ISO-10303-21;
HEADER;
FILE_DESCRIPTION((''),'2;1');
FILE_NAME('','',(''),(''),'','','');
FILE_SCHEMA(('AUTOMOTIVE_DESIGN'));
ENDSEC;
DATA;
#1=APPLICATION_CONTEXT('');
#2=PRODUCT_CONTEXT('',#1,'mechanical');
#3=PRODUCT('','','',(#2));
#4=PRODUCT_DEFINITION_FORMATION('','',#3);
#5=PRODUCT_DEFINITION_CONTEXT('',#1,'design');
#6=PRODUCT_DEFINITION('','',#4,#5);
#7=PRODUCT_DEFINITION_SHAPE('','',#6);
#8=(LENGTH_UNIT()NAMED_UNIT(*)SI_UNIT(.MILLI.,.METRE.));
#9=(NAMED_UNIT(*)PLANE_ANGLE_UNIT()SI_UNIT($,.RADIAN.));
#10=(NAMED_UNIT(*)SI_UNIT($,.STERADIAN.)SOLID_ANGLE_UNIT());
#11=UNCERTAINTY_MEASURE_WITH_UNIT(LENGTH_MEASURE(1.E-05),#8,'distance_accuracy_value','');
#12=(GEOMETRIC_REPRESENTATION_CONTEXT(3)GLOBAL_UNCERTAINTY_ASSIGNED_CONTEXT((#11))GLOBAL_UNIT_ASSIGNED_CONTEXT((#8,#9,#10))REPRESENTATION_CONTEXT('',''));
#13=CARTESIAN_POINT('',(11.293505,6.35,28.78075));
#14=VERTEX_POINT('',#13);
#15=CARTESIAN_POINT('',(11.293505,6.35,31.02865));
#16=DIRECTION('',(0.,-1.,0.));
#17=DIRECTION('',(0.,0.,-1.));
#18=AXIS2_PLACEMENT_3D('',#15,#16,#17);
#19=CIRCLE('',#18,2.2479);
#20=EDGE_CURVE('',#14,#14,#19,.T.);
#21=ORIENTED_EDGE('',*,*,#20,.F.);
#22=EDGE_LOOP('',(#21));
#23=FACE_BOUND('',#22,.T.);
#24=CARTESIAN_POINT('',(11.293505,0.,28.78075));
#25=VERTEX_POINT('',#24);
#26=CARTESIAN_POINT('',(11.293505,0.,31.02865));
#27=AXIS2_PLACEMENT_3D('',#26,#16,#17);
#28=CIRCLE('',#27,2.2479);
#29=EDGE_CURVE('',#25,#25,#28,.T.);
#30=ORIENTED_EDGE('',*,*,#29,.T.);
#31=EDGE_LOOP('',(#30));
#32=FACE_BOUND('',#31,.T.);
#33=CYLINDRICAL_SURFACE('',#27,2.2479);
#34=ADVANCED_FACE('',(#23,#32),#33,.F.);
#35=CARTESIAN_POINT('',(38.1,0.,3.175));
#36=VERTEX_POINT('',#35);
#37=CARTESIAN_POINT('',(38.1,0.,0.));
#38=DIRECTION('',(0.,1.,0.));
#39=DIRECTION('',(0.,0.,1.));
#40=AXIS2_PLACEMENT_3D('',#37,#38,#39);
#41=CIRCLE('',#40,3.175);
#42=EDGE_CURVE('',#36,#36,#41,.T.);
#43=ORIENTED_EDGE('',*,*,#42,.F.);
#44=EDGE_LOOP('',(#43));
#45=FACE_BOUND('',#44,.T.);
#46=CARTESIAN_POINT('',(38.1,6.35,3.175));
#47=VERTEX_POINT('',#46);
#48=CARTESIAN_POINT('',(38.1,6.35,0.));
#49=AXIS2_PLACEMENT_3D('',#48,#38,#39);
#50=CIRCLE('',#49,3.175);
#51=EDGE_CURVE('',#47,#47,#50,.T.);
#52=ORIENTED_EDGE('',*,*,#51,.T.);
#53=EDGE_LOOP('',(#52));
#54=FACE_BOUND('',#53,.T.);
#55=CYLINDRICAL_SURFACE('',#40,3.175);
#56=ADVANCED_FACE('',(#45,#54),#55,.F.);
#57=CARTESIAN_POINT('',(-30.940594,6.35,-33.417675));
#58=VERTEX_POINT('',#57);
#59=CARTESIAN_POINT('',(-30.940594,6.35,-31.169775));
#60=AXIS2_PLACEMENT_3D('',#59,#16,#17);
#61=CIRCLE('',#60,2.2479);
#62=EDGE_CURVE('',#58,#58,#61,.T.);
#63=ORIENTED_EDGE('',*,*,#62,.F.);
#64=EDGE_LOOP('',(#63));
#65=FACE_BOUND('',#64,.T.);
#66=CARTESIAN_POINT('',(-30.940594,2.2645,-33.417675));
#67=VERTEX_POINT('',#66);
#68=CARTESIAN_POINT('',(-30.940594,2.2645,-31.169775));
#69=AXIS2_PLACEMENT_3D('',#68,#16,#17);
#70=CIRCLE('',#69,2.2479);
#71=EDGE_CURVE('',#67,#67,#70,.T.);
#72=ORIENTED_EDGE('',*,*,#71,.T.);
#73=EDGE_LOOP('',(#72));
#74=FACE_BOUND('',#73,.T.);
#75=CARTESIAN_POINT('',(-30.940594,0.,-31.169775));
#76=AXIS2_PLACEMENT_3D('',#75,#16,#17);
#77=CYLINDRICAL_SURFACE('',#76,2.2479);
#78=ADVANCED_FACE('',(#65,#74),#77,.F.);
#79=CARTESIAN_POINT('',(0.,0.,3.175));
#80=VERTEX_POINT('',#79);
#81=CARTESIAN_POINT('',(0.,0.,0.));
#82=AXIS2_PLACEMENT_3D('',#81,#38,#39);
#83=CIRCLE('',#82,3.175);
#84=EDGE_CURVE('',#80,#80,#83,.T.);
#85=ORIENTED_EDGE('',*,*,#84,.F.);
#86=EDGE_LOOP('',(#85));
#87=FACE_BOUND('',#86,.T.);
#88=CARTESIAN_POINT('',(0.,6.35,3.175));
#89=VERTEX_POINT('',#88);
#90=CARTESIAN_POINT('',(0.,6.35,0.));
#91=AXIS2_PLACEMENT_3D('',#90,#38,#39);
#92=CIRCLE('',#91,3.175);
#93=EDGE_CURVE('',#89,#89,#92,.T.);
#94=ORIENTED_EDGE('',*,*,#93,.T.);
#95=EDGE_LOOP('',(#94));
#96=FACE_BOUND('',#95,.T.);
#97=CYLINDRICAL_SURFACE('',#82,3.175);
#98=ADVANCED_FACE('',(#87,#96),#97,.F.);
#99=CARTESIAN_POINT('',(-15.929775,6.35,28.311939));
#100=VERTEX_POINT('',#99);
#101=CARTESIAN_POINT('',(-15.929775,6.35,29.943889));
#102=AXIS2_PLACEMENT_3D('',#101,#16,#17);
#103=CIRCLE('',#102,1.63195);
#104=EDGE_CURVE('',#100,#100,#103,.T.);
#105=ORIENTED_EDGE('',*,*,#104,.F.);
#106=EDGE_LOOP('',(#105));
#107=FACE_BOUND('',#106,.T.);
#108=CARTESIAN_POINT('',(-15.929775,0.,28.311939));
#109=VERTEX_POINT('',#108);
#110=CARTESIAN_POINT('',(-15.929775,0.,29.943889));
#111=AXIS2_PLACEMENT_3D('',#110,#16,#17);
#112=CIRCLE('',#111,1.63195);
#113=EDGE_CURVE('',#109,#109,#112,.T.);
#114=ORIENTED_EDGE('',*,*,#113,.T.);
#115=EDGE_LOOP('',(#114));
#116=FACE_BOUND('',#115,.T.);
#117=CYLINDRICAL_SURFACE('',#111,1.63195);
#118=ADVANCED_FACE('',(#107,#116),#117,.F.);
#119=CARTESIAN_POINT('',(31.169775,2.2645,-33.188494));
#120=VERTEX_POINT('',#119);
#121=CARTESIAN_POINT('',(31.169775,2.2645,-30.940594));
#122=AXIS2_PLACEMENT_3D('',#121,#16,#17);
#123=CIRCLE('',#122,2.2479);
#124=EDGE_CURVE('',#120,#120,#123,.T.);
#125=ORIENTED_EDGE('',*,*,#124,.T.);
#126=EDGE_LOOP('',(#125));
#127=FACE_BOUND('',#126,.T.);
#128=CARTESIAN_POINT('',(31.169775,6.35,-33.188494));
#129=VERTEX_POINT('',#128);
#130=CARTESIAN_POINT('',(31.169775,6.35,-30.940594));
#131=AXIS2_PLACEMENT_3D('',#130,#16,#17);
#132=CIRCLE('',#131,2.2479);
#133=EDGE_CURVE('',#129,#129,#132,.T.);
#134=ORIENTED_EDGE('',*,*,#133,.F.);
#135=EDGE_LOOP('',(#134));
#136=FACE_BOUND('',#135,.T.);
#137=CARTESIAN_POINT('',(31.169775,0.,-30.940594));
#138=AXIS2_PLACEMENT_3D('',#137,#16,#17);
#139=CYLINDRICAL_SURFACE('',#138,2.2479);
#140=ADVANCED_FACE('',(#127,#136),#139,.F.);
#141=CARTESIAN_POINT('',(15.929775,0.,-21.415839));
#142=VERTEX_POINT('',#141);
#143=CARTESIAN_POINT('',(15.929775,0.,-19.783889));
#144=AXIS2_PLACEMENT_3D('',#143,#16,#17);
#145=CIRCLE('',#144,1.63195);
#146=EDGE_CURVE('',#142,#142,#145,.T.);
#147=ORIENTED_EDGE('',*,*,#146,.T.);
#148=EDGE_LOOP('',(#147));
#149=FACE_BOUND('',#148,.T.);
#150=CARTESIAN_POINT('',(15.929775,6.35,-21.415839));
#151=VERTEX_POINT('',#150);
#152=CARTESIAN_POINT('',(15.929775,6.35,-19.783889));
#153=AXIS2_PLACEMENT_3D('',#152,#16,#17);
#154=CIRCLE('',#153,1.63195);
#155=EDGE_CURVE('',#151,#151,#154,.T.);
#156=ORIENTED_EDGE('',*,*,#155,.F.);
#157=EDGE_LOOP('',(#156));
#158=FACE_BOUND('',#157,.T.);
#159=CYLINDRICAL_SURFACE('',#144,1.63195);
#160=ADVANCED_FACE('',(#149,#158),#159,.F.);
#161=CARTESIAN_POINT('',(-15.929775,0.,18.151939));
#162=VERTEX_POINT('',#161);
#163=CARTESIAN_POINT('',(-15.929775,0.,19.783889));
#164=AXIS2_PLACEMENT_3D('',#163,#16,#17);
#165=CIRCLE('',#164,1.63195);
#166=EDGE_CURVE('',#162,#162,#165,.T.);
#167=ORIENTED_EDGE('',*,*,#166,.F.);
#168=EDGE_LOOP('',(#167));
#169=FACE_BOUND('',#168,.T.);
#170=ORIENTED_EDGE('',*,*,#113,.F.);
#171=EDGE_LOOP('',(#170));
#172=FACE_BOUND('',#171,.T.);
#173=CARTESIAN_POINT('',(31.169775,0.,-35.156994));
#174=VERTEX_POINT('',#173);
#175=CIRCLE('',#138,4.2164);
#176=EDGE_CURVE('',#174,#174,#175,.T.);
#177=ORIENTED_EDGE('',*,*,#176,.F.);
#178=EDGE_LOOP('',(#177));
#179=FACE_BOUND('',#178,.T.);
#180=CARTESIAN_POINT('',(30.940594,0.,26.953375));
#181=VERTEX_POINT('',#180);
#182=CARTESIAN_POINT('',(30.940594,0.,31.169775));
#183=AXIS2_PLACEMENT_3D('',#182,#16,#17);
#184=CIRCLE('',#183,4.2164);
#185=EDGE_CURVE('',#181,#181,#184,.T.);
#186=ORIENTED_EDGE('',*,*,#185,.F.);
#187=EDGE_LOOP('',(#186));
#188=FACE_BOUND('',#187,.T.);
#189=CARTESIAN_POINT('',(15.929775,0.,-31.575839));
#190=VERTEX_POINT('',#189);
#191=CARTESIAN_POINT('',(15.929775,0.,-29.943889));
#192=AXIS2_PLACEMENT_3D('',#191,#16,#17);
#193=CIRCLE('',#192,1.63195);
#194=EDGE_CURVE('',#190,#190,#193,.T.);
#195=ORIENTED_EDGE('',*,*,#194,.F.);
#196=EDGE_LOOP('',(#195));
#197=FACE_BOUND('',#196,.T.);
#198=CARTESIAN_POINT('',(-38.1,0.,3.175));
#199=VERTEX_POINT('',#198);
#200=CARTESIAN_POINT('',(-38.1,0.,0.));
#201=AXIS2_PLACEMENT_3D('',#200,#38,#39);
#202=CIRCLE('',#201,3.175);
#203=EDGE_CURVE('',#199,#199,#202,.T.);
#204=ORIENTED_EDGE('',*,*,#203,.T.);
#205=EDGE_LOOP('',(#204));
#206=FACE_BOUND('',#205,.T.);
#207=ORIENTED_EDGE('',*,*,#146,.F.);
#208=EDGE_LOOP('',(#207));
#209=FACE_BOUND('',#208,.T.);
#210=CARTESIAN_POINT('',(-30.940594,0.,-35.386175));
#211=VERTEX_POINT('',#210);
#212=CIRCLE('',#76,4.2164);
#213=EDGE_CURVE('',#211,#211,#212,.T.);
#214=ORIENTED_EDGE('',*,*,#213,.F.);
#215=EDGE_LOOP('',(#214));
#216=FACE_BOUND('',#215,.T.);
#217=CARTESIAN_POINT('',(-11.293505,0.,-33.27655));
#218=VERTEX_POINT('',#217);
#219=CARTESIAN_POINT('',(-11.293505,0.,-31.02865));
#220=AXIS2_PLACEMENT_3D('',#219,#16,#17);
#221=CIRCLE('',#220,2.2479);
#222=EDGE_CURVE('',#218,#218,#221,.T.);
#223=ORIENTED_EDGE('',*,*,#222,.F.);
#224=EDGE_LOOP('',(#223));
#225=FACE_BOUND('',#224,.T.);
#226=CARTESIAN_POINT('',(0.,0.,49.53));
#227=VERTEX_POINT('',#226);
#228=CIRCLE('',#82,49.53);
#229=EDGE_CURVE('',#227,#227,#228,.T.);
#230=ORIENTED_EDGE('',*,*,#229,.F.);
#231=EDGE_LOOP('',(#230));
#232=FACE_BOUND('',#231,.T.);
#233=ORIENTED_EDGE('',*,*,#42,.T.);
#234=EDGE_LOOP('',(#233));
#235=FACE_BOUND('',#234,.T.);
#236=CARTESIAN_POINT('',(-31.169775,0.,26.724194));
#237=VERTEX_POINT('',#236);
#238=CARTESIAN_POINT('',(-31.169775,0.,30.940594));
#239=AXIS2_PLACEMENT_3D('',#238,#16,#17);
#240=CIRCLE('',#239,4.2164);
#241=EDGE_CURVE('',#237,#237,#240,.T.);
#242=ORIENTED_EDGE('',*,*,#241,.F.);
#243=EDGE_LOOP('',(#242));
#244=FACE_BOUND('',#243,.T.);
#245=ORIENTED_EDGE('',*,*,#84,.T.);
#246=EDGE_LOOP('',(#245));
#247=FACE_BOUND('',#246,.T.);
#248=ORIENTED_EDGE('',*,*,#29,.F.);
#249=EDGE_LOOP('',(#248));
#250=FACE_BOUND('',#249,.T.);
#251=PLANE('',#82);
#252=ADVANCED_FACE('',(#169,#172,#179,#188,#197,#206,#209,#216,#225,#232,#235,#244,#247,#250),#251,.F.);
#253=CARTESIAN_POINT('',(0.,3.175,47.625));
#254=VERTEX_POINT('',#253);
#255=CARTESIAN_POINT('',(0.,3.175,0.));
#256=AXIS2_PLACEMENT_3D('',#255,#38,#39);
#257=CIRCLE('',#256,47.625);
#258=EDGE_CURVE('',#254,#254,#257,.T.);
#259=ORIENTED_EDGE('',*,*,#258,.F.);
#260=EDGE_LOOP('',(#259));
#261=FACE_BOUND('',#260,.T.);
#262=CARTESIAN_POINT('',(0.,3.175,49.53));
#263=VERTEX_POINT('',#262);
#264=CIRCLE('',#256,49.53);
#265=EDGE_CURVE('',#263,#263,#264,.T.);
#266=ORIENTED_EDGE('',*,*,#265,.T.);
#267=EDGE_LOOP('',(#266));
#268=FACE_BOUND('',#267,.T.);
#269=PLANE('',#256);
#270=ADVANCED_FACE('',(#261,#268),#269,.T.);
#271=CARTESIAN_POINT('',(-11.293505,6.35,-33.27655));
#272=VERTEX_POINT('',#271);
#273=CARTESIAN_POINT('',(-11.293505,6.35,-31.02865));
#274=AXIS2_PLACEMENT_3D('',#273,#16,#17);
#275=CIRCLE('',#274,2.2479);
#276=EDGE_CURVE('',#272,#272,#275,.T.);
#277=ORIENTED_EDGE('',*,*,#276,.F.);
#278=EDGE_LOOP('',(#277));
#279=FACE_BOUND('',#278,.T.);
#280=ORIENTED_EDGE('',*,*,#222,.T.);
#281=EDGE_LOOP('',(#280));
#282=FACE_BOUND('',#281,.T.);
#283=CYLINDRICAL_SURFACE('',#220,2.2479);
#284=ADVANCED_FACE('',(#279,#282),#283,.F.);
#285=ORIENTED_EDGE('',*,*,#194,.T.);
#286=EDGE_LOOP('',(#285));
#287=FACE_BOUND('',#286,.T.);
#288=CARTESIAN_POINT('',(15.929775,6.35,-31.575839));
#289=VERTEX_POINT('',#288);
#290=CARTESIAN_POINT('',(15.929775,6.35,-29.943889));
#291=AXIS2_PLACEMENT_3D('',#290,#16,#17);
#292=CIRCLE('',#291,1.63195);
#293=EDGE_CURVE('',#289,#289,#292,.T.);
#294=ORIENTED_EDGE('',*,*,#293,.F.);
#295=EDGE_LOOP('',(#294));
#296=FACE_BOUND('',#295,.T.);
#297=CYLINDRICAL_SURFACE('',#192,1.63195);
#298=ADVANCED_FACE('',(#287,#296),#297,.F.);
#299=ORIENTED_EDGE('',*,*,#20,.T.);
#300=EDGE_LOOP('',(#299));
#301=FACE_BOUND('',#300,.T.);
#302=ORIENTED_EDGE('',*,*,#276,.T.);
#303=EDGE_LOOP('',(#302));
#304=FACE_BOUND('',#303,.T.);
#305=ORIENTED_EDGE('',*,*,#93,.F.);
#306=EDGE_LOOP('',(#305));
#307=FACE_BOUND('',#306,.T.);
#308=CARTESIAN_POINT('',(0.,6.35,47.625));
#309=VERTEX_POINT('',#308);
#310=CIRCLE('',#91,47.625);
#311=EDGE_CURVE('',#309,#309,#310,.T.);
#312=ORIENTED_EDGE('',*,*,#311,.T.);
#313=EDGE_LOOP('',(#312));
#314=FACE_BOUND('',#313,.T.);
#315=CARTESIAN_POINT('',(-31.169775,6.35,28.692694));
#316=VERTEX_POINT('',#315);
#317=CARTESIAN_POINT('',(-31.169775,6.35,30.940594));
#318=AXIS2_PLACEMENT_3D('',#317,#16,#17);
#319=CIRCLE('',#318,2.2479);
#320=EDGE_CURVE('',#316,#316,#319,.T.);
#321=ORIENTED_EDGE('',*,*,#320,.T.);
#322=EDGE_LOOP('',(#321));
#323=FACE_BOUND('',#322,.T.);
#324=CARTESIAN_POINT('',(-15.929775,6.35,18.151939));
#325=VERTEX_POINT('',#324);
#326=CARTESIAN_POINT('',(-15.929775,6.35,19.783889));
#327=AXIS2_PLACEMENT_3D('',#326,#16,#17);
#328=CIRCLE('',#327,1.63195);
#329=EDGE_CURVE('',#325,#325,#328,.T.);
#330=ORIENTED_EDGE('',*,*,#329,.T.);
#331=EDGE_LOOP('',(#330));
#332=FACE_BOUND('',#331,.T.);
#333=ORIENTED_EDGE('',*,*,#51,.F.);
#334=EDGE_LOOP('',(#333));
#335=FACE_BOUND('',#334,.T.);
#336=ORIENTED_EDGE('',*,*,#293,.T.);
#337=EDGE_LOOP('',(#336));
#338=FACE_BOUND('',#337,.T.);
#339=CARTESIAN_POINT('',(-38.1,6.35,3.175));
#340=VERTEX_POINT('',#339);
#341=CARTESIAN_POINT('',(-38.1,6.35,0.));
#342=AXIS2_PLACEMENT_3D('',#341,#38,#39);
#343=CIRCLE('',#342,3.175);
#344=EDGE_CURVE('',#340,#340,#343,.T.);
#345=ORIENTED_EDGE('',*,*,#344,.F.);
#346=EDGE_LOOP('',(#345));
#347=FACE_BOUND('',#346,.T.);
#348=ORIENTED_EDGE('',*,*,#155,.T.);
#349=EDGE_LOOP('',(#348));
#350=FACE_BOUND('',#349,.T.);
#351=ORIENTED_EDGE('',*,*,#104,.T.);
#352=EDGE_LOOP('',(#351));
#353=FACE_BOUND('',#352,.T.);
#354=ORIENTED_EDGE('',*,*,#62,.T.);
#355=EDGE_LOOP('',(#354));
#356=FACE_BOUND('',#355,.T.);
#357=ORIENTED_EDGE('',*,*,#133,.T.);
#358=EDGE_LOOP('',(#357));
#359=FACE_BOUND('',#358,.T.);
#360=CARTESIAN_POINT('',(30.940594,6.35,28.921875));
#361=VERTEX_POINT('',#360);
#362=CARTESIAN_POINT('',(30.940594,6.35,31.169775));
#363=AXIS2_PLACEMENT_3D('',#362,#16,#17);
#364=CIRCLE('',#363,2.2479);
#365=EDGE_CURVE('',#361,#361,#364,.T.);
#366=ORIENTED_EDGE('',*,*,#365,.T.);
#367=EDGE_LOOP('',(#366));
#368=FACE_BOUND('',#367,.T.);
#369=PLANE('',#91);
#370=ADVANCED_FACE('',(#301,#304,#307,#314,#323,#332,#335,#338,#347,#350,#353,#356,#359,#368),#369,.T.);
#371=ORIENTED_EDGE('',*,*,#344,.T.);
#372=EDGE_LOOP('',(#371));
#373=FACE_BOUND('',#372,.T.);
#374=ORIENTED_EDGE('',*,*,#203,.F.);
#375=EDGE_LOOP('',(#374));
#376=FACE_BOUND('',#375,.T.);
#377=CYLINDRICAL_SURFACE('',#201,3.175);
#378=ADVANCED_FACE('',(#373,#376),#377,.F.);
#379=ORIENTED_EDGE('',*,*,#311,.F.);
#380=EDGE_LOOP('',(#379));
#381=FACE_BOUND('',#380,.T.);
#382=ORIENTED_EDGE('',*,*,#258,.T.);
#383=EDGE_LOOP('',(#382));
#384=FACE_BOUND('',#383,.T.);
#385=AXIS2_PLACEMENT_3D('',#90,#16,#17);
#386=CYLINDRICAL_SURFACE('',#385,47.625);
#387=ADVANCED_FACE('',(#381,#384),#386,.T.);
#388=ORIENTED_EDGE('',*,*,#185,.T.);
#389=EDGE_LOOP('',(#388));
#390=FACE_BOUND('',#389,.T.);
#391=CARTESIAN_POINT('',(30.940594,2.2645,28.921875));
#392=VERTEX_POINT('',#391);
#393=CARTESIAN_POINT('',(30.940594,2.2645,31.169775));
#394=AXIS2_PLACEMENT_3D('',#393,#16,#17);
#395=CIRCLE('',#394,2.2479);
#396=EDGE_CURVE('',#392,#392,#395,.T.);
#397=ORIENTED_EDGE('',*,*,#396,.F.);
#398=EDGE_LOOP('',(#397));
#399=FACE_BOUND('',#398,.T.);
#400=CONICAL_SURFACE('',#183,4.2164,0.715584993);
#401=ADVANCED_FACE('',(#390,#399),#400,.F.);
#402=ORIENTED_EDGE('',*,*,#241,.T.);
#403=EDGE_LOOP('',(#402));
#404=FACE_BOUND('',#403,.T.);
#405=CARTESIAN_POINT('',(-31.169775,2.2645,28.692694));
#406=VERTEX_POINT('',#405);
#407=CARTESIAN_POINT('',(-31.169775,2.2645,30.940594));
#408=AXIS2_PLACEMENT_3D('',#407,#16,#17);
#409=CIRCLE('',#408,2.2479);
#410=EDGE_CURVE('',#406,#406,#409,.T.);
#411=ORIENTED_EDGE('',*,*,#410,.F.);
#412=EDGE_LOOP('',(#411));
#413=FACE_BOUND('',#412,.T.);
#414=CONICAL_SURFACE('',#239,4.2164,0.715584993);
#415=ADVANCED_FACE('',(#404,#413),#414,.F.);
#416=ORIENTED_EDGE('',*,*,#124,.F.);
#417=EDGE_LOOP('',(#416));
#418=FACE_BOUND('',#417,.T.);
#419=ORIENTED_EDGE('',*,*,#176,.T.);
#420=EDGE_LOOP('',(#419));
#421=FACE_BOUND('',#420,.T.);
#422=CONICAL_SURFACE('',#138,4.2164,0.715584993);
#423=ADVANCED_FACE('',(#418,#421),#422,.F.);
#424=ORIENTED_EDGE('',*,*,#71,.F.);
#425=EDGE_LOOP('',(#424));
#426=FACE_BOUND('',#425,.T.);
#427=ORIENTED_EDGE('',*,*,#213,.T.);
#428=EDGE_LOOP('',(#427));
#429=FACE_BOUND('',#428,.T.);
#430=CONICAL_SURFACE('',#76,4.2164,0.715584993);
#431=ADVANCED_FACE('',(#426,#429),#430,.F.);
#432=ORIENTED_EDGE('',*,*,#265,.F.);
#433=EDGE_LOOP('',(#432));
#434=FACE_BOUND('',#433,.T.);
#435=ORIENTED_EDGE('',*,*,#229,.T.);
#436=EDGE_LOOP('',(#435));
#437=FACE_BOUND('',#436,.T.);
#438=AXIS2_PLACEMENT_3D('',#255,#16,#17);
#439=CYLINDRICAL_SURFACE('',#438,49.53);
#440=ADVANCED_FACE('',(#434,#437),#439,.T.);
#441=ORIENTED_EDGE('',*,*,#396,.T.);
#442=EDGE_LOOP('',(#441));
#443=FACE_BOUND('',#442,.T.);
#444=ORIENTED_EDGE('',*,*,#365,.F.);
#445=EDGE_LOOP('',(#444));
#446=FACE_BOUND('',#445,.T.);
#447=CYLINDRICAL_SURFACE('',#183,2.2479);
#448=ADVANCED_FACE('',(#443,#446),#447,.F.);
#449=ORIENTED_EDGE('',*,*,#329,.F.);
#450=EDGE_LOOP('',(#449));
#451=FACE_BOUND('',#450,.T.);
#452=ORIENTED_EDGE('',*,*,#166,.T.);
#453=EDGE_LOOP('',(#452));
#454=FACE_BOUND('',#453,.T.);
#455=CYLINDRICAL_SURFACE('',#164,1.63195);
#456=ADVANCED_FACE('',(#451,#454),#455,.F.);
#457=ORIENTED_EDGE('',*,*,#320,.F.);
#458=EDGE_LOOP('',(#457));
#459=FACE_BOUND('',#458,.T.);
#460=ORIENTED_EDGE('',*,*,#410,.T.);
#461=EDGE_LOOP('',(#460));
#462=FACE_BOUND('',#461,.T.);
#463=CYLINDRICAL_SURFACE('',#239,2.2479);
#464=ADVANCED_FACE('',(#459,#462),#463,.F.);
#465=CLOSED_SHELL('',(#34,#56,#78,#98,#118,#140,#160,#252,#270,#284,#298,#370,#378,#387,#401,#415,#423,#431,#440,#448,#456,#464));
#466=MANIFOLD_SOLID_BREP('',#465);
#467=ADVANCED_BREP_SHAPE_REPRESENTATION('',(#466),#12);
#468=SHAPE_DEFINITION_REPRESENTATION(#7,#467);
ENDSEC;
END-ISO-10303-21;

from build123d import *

# Parameters (mm, degrees)
SKETCH1_R                                      = 49.53
BOSS_EXTRUDE1_DEPTH                            = 3.175
SKETCH2_R                                      = 47.625
BOSS_EXTRUDE2_DEPTH                            = 3.175
SKETCH3_R                                      = 3.175
CUT_EXTRUDE1_DEPTH                             = 71.33323752
SKETCH5_R                                      = 3.175
CUT_EXTRUDE2_DEPTH                             = 71.33323752
CSK_FOR_8_FLAT_HEAD_MACHINE_SCREW2_D           = 4.4958
CSK_FOR_8_FLAT_HEAD_MACHINE_SCREW2_CSINK_D     = 8.4328
CSK_FOR_8_FLAT_HEAD_MACHINE_SCREW2_CSINK_ANGLE = 82
CIRPATTERN1_COUNT                              = 4
F_8_CLEARANCE_HOLE1_D                          = 4.4958
F_4_CLEARANCE_HOLE1_D                          = 3.2639


with BuildPart() as part:
    # Sketch1 → Boss-Extrude1 (new body)
    with BuildSketch(Plane(origin=(0, 0, 0), x_dir=(1, 0, 0), z_dir=(0, 1, 0))):
        with Locations(Location((0, 0, 0), (0, 0, 270))):
            Circle(SKETCH1_R)
    extrude(amount=BOSS_EXTRUDE1_DEPTH)

    # Sketch2 → Boss-Extrude2 (add)
    with BuildSketch(Plane(origin=(0, 3.175, 0), x_dir=(1, 0, 0), z_dir=(0, 1, 0))):
        with Locations(Location((0, 0, 0), (0, 0, 270))):
            Circle(SKETCH2_R)
    extrude(amount=BOSS_EXTRUDE2_DEPTH)

    # Sketch3 → Cut-Extrude1 (cut, through all)
    with BuildSketch(Plane(origin=(0, 6.35, 0), x_dir=(1, 0, 0), z_dir=(0, 1, 0))):
        with Locations(Location((-38.1, 0, 0), (0, 0, 270))):
            Circle(SKETCH3_R)
        with Locations(Location((38.1, 0, 0), (0, 0, 270))):
            Circle(SKETCH3_R)
    extrude(amount=-CUT_EXTRUDE1_DEPTH, mode=Mode.SUBTRACT)

    # Sketch5 → Cut-Extrude2 (cut, through all)
    with BuildSketch(Plane(origin=(0, 6.35, 0), x_dir=(1, 0, 0), z_dir=(0, 1, 0))):
        with Locations(Location((0, 0, 0), (0, 0, 270))):
            Circle(SKETCH5_R)
    extrude(amount=-CUT_EXTRUDE2_DEPTH, mode=Mode.SUBTRACT)

    # CSK for #8 Flat Head Machine Screw2 (through all)
    with Locations(Plane(origin=(0, 0, 0), x_dir=(-1, 0, 0), z_dir=(0, -1, 0))):
        with Locations((31.169774814, -30.940594366)):
            csk_for_8_flat_head_machine_screw2 = CounterSinkHole(CSK_FOR_8_FLAT_HEAD_MACHINE_SCREW2_D / 2, CSK_FOR_8_FLAT_HEAD_MACHINE_SCREW2_CSINK_D / 2, counter_sink_angle=CSK_FOR_8_FLAT_HEAD_MACHINE_SCREW2_CSINK_ANGLE)

    # CirPattern1: CSK for #8 Flat Head Machine Screw2 ×4 about axis
    cirpattern1_axis = Axis((0, 0, 0), (0, 1, 0))
    for i in range(1, CIRPATTERN1_COUNT):
        add(csk_for_8_flat_head_machine_screw2.rotate(cirpattern1_axis, i * 360 / CIRPATTERN1_COUNT), mode=Mode.SUBTRACT)

    # #8 Clearance Hole1 (through all)
    with Locations(Plane(origin=(0, 0, 0), x_dir=(-1, 0, 0), z_dir=(0, -1, 0))):
        with Locations((11.293505133, 31.028650338), (-11.293505133, -31.028650338)):
            Hole(F_8_CLEARANCE_HOLE1_D / 2)

    # #4 Clearance Hole1 (through all)
    with Locations(Plane(origin=(0, 0, 0), x_dir=(-1, 0, 0), z_dir=(0, -1, 0))):
        with Locations((-15.929774814, 19.783889264), (15.929774814, -19.783889264), (-15.929774814, 29.943889264), (15.929774814, -29.943889264)):
            Hole(F_4_CLEARANCE_HOLE1_D / 2)


solid = part.part
